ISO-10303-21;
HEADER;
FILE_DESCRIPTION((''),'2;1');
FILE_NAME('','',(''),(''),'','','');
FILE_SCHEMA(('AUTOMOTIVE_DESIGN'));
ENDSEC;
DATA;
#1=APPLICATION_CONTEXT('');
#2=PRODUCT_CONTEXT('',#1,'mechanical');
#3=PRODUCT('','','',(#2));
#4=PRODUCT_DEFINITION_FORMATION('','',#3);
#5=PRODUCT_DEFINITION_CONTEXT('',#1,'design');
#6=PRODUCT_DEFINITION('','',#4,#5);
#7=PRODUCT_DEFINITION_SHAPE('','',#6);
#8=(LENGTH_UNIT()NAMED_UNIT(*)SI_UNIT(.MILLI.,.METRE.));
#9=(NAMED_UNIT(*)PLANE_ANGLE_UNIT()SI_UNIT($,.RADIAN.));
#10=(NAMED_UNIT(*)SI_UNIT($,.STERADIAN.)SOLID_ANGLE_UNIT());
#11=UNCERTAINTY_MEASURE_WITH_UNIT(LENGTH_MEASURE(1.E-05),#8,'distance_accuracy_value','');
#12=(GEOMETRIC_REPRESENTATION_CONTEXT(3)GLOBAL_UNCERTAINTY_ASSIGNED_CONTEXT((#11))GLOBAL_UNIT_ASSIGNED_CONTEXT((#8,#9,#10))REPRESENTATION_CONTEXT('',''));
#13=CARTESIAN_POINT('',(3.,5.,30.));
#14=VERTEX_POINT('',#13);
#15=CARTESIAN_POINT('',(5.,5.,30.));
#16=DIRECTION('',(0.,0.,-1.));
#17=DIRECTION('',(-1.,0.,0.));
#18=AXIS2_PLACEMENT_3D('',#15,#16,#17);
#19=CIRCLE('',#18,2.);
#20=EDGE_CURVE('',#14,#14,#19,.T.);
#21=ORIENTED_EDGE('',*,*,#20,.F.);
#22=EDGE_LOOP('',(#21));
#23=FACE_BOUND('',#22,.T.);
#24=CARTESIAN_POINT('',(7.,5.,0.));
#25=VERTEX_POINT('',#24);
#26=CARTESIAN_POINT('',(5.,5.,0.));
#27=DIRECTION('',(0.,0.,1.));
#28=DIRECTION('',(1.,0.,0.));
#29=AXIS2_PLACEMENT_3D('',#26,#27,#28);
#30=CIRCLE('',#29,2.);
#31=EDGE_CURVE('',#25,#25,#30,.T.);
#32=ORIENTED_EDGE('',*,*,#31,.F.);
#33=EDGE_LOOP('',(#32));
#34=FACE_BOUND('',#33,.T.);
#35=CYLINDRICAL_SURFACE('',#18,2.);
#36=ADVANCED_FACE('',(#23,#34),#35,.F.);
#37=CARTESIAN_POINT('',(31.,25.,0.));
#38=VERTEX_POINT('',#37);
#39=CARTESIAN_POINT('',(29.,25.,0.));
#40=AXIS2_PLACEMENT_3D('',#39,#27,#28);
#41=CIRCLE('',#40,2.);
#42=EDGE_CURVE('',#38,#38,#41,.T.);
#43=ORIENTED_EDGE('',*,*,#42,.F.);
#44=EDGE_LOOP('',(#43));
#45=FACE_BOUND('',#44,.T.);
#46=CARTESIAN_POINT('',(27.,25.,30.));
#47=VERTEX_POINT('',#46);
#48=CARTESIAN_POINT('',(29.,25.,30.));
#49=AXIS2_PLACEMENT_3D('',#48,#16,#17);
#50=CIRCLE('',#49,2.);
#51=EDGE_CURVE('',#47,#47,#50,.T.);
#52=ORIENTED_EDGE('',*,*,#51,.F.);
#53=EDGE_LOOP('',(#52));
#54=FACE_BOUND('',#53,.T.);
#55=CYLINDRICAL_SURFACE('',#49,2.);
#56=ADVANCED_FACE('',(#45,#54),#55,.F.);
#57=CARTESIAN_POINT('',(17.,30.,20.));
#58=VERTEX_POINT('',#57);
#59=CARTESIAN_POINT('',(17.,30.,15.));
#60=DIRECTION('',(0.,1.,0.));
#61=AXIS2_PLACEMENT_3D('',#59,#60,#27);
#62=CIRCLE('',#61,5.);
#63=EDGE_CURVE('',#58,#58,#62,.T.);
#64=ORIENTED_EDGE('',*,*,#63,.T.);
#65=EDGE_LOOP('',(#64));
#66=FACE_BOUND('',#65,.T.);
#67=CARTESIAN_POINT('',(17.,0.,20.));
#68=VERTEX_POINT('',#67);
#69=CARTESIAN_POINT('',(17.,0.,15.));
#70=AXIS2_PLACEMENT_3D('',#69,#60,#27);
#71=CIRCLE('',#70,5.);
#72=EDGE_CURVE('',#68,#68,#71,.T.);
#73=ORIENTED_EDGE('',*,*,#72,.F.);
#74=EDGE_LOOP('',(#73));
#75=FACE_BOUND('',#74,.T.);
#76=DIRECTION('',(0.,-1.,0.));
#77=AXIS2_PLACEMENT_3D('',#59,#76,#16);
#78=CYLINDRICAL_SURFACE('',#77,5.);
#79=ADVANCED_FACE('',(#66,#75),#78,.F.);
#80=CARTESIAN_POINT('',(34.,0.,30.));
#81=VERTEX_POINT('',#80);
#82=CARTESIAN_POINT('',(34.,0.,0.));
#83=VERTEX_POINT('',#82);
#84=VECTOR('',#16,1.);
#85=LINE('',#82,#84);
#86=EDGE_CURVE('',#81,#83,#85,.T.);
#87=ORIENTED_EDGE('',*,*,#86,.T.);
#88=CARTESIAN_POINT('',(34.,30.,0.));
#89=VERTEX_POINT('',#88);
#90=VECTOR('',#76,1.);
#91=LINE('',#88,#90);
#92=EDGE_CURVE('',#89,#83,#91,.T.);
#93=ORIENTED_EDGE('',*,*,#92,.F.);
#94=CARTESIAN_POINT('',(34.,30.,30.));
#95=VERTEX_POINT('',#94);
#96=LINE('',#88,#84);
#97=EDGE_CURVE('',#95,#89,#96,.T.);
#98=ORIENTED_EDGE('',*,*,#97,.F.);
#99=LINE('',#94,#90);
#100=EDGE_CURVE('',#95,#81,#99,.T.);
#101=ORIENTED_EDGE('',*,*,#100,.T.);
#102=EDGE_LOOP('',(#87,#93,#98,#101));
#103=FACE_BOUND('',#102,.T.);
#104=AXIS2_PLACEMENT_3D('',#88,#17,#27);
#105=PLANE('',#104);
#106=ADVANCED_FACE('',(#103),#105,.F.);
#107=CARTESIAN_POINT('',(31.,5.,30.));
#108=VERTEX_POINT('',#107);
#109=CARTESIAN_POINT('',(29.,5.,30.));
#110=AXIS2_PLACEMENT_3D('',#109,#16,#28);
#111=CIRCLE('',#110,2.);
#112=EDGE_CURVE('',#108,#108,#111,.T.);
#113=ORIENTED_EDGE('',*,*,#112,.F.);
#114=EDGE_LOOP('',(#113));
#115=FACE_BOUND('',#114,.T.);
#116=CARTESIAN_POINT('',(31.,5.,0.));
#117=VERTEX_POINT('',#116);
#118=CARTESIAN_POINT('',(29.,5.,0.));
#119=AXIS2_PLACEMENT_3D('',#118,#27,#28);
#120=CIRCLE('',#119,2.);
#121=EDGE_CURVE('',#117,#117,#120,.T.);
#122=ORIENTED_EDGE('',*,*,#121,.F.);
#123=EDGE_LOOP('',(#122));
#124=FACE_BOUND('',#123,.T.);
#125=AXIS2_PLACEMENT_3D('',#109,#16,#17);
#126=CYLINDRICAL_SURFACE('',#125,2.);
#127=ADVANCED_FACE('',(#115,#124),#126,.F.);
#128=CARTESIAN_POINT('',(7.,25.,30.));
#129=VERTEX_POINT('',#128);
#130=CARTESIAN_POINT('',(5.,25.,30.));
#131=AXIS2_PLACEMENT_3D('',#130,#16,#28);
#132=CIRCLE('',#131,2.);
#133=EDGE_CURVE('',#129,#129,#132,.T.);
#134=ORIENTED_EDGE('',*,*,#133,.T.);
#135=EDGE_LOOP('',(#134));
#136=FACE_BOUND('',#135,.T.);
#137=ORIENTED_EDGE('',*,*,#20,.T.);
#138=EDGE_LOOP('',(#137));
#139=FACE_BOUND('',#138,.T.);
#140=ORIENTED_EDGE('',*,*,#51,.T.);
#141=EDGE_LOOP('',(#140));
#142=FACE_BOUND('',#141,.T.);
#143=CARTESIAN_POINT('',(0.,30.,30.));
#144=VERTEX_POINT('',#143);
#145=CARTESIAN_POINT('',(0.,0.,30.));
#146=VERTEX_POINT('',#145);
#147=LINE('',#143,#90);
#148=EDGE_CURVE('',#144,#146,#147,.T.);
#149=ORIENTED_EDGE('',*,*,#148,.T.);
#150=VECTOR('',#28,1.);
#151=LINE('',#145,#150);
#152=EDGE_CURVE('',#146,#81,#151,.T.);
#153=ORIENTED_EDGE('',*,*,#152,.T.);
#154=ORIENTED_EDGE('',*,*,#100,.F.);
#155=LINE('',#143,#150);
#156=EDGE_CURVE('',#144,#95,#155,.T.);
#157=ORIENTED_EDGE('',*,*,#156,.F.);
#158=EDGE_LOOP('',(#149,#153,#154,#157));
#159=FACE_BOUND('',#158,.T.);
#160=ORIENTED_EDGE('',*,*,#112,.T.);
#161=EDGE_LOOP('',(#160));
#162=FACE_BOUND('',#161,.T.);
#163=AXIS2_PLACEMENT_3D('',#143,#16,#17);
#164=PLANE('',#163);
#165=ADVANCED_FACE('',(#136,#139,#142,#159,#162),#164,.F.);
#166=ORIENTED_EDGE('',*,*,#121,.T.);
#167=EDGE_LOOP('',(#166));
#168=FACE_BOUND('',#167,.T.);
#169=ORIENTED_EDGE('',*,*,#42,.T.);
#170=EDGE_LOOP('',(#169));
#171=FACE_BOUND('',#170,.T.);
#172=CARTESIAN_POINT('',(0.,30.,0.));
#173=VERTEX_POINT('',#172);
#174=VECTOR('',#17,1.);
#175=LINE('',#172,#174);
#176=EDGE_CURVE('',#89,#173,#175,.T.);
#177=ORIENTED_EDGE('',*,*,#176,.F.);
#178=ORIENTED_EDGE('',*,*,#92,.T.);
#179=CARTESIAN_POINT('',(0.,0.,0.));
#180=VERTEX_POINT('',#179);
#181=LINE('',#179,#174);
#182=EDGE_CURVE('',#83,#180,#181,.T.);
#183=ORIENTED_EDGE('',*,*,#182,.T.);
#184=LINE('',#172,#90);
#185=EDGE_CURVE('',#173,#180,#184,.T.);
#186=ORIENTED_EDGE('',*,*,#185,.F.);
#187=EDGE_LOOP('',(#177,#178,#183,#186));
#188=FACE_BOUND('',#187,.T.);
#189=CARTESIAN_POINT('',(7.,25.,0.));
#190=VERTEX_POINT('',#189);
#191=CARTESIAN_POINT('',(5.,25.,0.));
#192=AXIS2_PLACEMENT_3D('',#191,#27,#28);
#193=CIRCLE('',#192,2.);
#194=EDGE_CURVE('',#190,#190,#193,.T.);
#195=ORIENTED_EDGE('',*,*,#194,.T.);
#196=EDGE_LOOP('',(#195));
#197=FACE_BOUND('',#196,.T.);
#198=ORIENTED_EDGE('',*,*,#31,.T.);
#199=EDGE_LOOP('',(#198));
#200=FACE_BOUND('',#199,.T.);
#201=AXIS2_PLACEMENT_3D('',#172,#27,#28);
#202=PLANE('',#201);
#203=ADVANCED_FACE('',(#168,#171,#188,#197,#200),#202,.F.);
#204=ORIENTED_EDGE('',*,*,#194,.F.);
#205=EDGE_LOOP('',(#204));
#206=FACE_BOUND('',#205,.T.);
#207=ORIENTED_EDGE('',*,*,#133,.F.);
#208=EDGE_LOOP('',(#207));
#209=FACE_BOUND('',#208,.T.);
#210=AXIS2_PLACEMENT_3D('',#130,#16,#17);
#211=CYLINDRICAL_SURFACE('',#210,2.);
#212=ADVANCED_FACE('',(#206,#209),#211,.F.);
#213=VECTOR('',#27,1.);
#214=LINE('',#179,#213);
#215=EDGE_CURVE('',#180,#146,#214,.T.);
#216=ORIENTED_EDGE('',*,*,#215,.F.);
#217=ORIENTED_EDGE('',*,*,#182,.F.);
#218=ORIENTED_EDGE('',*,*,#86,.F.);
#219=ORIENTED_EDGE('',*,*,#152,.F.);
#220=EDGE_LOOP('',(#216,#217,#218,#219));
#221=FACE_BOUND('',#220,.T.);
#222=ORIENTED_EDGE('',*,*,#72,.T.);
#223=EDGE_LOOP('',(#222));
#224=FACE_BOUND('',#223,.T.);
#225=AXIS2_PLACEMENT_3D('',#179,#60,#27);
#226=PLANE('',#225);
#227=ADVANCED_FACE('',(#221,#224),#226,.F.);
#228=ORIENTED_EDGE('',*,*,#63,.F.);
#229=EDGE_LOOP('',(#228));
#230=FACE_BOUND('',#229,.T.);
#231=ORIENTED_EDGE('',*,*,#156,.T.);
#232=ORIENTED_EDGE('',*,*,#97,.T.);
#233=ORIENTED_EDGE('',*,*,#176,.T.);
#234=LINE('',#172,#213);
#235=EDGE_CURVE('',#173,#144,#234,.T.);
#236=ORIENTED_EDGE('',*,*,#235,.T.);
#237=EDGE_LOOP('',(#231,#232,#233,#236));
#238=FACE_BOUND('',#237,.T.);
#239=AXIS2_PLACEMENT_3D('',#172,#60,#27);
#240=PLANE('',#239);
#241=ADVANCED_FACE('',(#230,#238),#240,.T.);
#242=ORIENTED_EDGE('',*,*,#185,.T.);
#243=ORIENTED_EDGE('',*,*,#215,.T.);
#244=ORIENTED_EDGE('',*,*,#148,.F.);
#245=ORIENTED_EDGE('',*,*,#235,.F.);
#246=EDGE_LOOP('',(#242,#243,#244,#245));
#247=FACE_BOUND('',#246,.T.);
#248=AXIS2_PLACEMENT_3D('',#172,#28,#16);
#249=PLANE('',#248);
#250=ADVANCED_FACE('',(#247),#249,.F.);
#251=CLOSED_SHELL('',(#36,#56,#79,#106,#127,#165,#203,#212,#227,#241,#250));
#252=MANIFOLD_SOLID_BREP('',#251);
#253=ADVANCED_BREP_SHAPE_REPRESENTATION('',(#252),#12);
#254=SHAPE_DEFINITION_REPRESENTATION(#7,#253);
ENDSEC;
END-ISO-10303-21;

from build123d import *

# Parameters (mm, degrees)
SKETCH1_W               = 34
SKETCH1_H               = 30
SKETCH1_R               = 5
BOSS_EXTRUDE1_DEPTH     = 30
CUT_EXTRUDE1_DEPTH      = 55.369108876
CUT_EXTRUDE1_DEPTH_BACK = 55.369108876
SKETCH2_R               = 2


with BuildPart() as part:
    # Sketch1 → Boss-Extrude1 (new body)
    with BuildSketch(Plane(origin=(0, 0, 0), x_dir=(1, 0, 0), z_dir=(0, 1, 0))):
        with Locations((17, -15)):
            Rectangle(SKETCH1_W, SKETCH1_H)
        with Locations(Location((17, -15, 0), (0, 0, 270))):
            Circle(SKETCH1_R, mode=Mode.SUBTRACT)
    extrude(amount=BOSS_EXTRUDE1_DEPTH)

    # Sketch2 → Cut-Extrude1 (cut, two sides: drawn at the far end of the back side and taken through both)
    with BuildSketch(Plane(origin=(0, 0, 0), x_dir=(-1, 0, 0), z_dir=(0, 0, -1)).offset(-CUT_EXTRUDE1_DEPTH_BACK)):
        with Locations((-29, 25)):
            Circle(SKETCH2_R)
        with Locations(Location((-5, 25, 0), (0, 0, 180))):
            Circle(SKETCH2_R)
        with Locations((-5, 5)):
            Circle(SKETCH2_R)
        with Locations(Location((-29, 5, 0), (0, 0, 180))):
            Circle(SKETCH2_R)
    extrude(amount=CUT_EXTRUDE1_DEPTH + CUT_EXTRUDE1_DEPTH_BACK, mode=Mode.SUBTRACT)


solid = part.part
